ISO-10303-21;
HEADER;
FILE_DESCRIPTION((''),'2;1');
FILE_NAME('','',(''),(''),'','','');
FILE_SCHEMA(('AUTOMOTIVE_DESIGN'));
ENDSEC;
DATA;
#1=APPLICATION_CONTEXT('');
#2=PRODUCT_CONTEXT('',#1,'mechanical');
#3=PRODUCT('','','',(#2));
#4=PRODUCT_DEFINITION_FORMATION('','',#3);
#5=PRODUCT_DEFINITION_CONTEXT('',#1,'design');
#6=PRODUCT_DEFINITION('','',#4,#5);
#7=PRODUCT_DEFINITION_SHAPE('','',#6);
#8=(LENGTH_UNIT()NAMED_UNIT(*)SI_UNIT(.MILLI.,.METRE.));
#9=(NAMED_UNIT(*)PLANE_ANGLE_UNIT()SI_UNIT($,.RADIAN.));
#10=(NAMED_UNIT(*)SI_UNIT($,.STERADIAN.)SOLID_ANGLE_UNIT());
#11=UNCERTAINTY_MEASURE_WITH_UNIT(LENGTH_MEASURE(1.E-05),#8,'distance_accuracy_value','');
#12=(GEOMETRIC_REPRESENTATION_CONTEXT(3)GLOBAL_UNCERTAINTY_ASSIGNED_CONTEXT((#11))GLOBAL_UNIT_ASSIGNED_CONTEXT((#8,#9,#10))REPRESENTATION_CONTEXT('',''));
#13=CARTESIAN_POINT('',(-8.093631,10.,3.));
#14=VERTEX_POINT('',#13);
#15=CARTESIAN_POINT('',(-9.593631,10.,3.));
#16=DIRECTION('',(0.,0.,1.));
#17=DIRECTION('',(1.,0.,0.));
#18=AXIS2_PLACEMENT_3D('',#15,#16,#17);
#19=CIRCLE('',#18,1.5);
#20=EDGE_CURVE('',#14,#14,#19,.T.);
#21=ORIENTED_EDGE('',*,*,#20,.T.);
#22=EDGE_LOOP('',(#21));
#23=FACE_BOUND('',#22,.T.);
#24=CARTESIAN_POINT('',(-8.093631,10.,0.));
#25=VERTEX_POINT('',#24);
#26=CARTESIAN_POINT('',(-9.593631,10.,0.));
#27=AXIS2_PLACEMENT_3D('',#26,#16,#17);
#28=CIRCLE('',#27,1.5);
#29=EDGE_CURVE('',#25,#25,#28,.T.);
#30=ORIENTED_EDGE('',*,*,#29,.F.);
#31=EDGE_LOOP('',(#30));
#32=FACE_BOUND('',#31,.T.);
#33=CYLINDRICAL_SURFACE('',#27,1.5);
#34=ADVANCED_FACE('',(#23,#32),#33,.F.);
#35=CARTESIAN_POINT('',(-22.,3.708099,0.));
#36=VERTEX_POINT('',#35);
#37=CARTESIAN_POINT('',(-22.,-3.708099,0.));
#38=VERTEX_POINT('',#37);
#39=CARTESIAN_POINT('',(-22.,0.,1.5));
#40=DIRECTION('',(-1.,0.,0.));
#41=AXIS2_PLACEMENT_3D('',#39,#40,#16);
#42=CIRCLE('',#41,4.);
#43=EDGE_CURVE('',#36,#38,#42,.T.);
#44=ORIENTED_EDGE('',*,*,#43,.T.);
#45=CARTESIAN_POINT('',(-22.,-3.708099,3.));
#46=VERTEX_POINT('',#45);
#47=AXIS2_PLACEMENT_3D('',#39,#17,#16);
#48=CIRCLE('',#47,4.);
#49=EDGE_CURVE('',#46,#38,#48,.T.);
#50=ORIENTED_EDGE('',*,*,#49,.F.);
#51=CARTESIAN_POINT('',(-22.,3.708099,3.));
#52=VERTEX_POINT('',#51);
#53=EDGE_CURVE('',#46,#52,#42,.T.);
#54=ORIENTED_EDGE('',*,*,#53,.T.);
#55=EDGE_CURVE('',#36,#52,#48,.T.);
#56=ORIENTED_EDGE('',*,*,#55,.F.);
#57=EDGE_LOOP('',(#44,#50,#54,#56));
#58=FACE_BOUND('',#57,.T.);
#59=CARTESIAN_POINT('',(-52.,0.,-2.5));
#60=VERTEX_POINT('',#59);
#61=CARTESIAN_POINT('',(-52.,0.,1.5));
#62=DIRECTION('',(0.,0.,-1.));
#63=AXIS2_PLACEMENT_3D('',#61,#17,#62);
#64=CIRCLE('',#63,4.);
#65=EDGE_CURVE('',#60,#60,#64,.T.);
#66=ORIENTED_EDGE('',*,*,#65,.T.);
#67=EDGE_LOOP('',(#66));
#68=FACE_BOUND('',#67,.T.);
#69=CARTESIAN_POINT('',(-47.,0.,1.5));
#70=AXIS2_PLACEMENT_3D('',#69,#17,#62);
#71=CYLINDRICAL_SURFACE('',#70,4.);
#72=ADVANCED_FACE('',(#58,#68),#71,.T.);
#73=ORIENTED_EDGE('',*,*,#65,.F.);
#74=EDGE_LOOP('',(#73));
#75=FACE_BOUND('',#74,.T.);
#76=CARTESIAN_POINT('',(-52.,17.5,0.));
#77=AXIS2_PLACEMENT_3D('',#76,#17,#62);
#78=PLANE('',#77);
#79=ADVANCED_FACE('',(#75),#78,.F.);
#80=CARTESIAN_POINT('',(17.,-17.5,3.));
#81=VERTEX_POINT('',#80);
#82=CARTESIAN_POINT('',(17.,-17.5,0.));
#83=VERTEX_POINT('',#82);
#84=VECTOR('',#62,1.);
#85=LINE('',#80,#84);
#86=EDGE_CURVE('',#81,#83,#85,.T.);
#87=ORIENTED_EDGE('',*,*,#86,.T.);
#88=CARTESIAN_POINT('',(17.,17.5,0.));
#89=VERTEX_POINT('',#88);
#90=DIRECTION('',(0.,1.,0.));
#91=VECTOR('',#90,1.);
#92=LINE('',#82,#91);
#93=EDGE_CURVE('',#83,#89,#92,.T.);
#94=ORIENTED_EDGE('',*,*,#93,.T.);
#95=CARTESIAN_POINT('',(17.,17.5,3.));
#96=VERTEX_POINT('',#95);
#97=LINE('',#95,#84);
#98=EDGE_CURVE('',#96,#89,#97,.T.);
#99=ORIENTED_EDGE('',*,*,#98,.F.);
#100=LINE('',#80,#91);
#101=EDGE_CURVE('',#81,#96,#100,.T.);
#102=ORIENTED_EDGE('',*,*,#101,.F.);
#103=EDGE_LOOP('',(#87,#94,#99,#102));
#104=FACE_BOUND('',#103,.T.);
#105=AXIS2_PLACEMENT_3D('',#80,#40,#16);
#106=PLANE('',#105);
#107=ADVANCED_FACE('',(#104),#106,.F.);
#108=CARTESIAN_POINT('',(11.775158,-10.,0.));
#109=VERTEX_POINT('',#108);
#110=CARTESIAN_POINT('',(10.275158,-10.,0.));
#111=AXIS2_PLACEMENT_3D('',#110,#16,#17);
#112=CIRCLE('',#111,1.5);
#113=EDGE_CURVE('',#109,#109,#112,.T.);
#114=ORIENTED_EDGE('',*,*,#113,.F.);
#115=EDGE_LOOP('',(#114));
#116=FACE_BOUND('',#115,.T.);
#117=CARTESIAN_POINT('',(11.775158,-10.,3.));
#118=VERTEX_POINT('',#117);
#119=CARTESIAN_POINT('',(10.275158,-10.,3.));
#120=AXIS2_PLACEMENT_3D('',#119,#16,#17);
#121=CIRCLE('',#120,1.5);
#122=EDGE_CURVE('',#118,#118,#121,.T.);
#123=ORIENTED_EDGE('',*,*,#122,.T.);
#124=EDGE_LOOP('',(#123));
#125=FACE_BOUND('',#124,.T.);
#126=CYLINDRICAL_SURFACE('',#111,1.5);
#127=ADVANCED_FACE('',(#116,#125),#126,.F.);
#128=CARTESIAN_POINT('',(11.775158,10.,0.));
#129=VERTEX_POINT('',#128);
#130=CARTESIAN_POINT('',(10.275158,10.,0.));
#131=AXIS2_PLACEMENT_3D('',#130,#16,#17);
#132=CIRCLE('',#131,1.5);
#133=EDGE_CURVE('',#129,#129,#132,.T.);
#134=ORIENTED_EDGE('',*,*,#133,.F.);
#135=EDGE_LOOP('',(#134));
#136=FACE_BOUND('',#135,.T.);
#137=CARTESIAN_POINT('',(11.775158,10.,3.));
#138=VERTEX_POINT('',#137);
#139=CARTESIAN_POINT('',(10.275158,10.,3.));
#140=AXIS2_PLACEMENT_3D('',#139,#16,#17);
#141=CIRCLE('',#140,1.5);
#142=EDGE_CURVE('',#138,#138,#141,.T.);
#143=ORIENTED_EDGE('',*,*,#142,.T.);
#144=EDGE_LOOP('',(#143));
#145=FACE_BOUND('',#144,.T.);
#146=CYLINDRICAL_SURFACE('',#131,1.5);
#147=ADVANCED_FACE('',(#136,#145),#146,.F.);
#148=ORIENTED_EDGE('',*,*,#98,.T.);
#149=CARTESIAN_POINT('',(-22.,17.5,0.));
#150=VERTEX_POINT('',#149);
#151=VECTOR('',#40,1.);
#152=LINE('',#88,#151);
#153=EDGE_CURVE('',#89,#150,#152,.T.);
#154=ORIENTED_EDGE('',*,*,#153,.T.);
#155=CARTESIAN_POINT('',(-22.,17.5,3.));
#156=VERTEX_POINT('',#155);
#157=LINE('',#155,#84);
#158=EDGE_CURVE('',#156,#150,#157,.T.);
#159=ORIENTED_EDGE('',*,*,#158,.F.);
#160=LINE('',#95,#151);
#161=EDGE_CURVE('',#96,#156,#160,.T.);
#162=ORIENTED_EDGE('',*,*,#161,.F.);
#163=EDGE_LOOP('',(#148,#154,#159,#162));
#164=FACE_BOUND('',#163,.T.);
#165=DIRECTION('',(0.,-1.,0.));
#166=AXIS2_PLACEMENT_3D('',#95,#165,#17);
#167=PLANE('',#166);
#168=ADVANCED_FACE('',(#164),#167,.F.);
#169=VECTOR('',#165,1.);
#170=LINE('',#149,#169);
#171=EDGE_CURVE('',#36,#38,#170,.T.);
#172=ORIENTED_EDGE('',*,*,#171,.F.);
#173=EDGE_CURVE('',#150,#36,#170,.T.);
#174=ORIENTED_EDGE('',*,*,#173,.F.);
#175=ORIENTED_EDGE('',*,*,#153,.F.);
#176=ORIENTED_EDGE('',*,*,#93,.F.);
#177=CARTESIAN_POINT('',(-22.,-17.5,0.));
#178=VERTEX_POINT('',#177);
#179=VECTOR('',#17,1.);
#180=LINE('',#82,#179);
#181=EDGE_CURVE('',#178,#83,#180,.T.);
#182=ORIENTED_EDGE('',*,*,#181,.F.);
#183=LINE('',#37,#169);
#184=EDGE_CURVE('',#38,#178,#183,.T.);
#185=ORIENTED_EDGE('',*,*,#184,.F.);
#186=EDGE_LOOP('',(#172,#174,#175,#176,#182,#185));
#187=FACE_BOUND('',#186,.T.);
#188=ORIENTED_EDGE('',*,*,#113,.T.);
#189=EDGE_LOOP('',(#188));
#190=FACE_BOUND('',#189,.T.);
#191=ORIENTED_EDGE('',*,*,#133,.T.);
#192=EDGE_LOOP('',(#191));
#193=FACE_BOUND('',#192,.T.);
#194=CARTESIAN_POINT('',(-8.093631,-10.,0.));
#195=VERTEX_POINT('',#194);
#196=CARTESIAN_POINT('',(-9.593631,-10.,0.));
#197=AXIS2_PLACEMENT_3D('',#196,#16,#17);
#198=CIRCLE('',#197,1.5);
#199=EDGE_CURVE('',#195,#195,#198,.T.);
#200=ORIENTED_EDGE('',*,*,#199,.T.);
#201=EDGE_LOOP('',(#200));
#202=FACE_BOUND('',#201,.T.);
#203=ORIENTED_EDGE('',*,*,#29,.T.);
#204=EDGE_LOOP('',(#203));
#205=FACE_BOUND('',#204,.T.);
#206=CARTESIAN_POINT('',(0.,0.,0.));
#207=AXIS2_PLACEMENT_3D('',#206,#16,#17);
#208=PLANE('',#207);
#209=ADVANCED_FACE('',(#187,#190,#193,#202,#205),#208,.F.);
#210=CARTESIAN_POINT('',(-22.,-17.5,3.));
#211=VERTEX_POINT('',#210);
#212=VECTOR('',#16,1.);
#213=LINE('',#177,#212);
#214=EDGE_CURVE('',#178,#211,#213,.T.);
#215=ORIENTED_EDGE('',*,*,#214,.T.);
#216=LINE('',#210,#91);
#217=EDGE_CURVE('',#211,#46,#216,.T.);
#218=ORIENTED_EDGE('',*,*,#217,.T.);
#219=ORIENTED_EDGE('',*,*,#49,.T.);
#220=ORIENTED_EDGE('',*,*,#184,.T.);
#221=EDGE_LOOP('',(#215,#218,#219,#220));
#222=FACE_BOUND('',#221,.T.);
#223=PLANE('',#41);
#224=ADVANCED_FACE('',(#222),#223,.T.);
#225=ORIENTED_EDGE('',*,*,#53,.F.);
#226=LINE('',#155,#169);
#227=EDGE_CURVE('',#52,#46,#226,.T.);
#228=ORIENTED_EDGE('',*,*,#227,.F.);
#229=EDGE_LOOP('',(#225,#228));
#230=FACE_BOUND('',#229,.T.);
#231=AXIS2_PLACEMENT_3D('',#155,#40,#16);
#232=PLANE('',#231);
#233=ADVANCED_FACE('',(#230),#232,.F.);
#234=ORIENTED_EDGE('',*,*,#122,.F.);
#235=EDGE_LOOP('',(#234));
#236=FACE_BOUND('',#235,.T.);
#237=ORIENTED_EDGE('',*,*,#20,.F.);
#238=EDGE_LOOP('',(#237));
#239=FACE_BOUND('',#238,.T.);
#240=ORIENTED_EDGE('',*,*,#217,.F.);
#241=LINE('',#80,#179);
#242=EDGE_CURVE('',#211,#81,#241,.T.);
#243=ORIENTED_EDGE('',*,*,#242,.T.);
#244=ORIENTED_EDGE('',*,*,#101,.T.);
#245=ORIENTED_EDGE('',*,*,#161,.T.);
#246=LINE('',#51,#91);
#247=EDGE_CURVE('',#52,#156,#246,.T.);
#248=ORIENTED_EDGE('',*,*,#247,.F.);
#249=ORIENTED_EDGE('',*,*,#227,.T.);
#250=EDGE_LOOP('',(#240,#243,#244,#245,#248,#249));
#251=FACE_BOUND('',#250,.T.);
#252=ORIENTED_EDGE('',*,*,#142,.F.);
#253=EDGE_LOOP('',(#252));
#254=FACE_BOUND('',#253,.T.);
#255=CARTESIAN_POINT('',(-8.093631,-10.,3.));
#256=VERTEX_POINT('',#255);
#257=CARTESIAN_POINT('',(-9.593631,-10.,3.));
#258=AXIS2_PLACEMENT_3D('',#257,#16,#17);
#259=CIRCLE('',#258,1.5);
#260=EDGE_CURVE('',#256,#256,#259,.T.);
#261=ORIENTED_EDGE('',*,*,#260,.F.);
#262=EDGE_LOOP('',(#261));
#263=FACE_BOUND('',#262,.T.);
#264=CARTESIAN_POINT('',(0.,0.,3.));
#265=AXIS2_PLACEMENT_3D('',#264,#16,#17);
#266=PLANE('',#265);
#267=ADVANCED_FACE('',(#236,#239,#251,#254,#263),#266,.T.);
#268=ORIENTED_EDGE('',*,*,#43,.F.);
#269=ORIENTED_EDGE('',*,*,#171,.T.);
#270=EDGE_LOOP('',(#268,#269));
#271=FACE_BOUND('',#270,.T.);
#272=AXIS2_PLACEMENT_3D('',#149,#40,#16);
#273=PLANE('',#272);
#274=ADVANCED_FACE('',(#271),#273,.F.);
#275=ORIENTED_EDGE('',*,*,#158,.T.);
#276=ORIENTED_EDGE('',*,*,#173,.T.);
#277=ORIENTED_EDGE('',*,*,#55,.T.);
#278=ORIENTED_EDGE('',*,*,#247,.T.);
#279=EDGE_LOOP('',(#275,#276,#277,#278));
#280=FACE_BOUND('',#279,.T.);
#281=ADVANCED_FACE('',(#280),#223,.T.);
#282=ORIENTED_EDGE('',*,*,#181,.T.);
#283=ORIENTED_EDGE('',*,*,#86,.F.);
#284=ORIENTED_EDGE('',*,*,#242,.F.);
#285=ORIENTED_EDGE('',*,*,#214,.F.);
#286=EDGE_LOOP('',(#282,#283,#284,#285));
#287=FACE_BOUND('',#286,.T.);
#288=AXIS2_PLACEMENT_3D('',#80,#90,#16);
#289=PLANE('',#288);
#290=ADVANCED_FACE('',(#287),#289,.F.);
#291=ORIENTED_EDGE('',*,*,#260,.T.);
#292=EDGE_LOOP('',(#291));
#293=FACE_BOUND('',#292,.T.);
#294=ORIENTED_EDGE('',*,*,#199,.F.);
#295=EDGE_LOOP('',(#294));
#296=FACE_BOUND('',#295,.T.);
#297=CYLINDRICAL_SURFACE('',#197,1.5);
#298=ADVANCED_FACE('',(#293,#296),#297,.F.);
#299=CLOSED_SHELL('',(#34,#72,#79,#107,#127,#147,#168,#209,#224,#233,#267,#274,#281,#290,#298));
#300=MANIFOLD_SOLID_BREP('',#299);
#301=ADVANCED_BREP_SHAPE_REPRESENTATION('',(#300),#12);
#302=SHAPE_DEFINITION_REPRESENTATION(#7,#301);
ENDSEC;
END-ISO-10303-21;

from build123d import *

# Parameters (mm, degrees)
SKETCH_1_W           = 34
SKETCH_1_H           = 35
EXTRUDE_1_DEPTH      = 3
SKETCH_2_W           = 5
SKETCH_2_H           = 5
EXTRUDE_2_DEPTH      = 3
SKETCH_7_R           = 1.5
CUT_EXTRUDE_7_DEPTH  = 3
SKETCH_14_R          = 4
EXTRUDE_6_DEPTH      = 25
EXTRUDE_START        = 5
SKETCH_16_R          = 4
EXTRUDE_7_DEPTH      = 5
CUT_EXTRUDE_START    = -5
CUT_EXTRUDE_9_DEPTH  = 5
EXTRUDE_8_DEPTH      = 5
SKETCH_19_W          = 5
SKETCH_19_H          = 2.5
CUT_EXTRUDE_10_DEPTH = 59.857879676
SKETCH_20_R          = 4
EXTRUDE_9_DEPTH      = 29.5
SKETCH_21_W          = 26.980293682
SKETCH_21_H          = 10.390157326
CUT_EXTRUDE_11_DEPTH = 85.305990297


with BuildPart() as part:
    # 草图1 → 凸台-拉伸1 (new body)
    with BuildSketch(Plane.XY):
        Rectangle(SKETCH_1_W, SKETCH_1_H)
    extrude(amount=EXTRUDE_1_DEPTH)

    # 草图2 → 凸台-拉伸2 (add)
    with BuildSketch(Plane.XY.offset(3)):
        with Locations((-19.5, 2.5)):
            Rectangle(SKETCH_2_W, SKETCH_2_H)
        with Locations((-19.5, -2.5)):
            Rectangle(SKETCH_2_W, SKETCH_2_H)
    extrude(amount=-EXTRUDE_2_DEPTH)

    # 草图7 → 切除-拉伸7 (cut)
    with BuildSketch(Plane.XY.offset(3)):
        with Locations((10.27515824, 10)):
            Circle(SKETCH_7_R)
        with Locations((10.27515824, -10)):
            Circle(SKETCH_7_R)
        with Locations((-9.593631375, 10)):
            Circle(SKETCH_7_R)
        with Locations((-9.593631375, -10)):
            Circle(SKETCH_7_R)
    extrude(amount=-CUT_EXTRUDE_7_DEPTH, mode=Mode.SUBTRACT)

    # 草图14 → 凸台-拉伸6 (add)
    with BuildSketch(Plane.ZY.offset(22)):
        with Locations(Location((1.5, 0, 0), (0, 0, 112.024312837))):
            Circle(SKETCH_14_R)
    extrude(amount=EXTRUDE_6_DEPTH)

    # 草图16 → 凸台-拉伸7 (add)
    with BuildSketch(Plane(origin=(-22, 0, 0), x_dir=(0, 0, -1), z_dir=(1, 0, 0)).offset(EXTRUDE_START)):
        with Locations(Location((-1.5, 0, 0), (0, 0, 67.975687163))):
            Circle(SKETCH_16_R)
    extrude(amount=-EXTRUDE_7_DEPTH)

    # 草图17 → 切除-拉伸9 (cut)
    with BuildSketch(Plane.ZY.offset(22).offset(CUT_EXTRUDE_START)):
        with BuildLine():
            Line((3, 3.708099244), (3, 5))
            Line((3, 5), (0, 5))
            Line((0, 5), (0, 3.708099244))
            ThreePointArc((0, 3.708099244), (1.5, 4), (3, 3.708099244))
        make_face()
        with BuildLine():
            Line((0, -3.708099244), (0, -5))
            Line((0, -5), (3, -5))
            Line((3, -5), (3, -3.708099244))
            ThreePointArc((3, -3.708099244), (1.5, -4), (0, -3.708099244))
        make_face()
    extrude(amount=CUT_EXTRUDE_9_DEPTH, mode=Mode.SUBTRACT)

    # 草图18 → 凸台-拉伸8 (add)
    with BuildSketch(Plane.ZY.offset(17)):
        with BuildLine():
            Line((3, -17.5), (3, -3.708099244))
            ThreePointArc((3, -3.708099244), (1.5, -4), (0, -3.708099244))
            Line((0, -3.708099244), (0, -17.5))
            Line((0, -17.5), (3, -17.5))
        make_face()
        with BuildLine():
            Line((0, 17.5), (0, 3.708099244))
            ThreePointArc((0, 3.708099244), (1.5, 4), (3, 3.708099244))
            Line((3, 3.708099244), (3, 17.5))
            Line((3, 17.5), (0, 17.5))
        make_face()
    extrude(amount=EXTRUDE_8_DEPTH)

    # 草图19 → 切除-拉伸10 (cut, through all)
    with BuildSketch(Plane.XZ.offset(17.5)):
        with Locations((-19.5, 4.25)):
            Rectangle(SKETCH_19_W, SKETCH_19_H)
        with Locations((-19.5, -1.25)):
            Rectangle(SKETCH_19_W, SKETCH_19_H)
    extrude(amount=-CUT_EXTRUDE_10_DEPTH, mode=Mode.SUBTRACT)

    # 草图20 → 凸台-拉伸9 (add)
    with BuildSketch(Plane.ZY.offset(47)):
        with Locations(Location((1.5, 0, 0), (0, 0, 112.024312837))):
            Circle(SKETCH_20_R)
    extrude(amount=EXTRUDE_9_DEPTH)

    # 草图21 → 切除-拉伸11 (cut, through all)
    with BuildSketch(Plane.XZ.offset(17.5)):
        with Locations((-65.490146841, 2.695078663)):
            Rectangle(SKETCH_21_W, SKETCH_21_H)
    extrude(amount=-CUT_EXTRUDE_11_DEPTH, mode=Mode.SUBTRACT)


solid = part.part
